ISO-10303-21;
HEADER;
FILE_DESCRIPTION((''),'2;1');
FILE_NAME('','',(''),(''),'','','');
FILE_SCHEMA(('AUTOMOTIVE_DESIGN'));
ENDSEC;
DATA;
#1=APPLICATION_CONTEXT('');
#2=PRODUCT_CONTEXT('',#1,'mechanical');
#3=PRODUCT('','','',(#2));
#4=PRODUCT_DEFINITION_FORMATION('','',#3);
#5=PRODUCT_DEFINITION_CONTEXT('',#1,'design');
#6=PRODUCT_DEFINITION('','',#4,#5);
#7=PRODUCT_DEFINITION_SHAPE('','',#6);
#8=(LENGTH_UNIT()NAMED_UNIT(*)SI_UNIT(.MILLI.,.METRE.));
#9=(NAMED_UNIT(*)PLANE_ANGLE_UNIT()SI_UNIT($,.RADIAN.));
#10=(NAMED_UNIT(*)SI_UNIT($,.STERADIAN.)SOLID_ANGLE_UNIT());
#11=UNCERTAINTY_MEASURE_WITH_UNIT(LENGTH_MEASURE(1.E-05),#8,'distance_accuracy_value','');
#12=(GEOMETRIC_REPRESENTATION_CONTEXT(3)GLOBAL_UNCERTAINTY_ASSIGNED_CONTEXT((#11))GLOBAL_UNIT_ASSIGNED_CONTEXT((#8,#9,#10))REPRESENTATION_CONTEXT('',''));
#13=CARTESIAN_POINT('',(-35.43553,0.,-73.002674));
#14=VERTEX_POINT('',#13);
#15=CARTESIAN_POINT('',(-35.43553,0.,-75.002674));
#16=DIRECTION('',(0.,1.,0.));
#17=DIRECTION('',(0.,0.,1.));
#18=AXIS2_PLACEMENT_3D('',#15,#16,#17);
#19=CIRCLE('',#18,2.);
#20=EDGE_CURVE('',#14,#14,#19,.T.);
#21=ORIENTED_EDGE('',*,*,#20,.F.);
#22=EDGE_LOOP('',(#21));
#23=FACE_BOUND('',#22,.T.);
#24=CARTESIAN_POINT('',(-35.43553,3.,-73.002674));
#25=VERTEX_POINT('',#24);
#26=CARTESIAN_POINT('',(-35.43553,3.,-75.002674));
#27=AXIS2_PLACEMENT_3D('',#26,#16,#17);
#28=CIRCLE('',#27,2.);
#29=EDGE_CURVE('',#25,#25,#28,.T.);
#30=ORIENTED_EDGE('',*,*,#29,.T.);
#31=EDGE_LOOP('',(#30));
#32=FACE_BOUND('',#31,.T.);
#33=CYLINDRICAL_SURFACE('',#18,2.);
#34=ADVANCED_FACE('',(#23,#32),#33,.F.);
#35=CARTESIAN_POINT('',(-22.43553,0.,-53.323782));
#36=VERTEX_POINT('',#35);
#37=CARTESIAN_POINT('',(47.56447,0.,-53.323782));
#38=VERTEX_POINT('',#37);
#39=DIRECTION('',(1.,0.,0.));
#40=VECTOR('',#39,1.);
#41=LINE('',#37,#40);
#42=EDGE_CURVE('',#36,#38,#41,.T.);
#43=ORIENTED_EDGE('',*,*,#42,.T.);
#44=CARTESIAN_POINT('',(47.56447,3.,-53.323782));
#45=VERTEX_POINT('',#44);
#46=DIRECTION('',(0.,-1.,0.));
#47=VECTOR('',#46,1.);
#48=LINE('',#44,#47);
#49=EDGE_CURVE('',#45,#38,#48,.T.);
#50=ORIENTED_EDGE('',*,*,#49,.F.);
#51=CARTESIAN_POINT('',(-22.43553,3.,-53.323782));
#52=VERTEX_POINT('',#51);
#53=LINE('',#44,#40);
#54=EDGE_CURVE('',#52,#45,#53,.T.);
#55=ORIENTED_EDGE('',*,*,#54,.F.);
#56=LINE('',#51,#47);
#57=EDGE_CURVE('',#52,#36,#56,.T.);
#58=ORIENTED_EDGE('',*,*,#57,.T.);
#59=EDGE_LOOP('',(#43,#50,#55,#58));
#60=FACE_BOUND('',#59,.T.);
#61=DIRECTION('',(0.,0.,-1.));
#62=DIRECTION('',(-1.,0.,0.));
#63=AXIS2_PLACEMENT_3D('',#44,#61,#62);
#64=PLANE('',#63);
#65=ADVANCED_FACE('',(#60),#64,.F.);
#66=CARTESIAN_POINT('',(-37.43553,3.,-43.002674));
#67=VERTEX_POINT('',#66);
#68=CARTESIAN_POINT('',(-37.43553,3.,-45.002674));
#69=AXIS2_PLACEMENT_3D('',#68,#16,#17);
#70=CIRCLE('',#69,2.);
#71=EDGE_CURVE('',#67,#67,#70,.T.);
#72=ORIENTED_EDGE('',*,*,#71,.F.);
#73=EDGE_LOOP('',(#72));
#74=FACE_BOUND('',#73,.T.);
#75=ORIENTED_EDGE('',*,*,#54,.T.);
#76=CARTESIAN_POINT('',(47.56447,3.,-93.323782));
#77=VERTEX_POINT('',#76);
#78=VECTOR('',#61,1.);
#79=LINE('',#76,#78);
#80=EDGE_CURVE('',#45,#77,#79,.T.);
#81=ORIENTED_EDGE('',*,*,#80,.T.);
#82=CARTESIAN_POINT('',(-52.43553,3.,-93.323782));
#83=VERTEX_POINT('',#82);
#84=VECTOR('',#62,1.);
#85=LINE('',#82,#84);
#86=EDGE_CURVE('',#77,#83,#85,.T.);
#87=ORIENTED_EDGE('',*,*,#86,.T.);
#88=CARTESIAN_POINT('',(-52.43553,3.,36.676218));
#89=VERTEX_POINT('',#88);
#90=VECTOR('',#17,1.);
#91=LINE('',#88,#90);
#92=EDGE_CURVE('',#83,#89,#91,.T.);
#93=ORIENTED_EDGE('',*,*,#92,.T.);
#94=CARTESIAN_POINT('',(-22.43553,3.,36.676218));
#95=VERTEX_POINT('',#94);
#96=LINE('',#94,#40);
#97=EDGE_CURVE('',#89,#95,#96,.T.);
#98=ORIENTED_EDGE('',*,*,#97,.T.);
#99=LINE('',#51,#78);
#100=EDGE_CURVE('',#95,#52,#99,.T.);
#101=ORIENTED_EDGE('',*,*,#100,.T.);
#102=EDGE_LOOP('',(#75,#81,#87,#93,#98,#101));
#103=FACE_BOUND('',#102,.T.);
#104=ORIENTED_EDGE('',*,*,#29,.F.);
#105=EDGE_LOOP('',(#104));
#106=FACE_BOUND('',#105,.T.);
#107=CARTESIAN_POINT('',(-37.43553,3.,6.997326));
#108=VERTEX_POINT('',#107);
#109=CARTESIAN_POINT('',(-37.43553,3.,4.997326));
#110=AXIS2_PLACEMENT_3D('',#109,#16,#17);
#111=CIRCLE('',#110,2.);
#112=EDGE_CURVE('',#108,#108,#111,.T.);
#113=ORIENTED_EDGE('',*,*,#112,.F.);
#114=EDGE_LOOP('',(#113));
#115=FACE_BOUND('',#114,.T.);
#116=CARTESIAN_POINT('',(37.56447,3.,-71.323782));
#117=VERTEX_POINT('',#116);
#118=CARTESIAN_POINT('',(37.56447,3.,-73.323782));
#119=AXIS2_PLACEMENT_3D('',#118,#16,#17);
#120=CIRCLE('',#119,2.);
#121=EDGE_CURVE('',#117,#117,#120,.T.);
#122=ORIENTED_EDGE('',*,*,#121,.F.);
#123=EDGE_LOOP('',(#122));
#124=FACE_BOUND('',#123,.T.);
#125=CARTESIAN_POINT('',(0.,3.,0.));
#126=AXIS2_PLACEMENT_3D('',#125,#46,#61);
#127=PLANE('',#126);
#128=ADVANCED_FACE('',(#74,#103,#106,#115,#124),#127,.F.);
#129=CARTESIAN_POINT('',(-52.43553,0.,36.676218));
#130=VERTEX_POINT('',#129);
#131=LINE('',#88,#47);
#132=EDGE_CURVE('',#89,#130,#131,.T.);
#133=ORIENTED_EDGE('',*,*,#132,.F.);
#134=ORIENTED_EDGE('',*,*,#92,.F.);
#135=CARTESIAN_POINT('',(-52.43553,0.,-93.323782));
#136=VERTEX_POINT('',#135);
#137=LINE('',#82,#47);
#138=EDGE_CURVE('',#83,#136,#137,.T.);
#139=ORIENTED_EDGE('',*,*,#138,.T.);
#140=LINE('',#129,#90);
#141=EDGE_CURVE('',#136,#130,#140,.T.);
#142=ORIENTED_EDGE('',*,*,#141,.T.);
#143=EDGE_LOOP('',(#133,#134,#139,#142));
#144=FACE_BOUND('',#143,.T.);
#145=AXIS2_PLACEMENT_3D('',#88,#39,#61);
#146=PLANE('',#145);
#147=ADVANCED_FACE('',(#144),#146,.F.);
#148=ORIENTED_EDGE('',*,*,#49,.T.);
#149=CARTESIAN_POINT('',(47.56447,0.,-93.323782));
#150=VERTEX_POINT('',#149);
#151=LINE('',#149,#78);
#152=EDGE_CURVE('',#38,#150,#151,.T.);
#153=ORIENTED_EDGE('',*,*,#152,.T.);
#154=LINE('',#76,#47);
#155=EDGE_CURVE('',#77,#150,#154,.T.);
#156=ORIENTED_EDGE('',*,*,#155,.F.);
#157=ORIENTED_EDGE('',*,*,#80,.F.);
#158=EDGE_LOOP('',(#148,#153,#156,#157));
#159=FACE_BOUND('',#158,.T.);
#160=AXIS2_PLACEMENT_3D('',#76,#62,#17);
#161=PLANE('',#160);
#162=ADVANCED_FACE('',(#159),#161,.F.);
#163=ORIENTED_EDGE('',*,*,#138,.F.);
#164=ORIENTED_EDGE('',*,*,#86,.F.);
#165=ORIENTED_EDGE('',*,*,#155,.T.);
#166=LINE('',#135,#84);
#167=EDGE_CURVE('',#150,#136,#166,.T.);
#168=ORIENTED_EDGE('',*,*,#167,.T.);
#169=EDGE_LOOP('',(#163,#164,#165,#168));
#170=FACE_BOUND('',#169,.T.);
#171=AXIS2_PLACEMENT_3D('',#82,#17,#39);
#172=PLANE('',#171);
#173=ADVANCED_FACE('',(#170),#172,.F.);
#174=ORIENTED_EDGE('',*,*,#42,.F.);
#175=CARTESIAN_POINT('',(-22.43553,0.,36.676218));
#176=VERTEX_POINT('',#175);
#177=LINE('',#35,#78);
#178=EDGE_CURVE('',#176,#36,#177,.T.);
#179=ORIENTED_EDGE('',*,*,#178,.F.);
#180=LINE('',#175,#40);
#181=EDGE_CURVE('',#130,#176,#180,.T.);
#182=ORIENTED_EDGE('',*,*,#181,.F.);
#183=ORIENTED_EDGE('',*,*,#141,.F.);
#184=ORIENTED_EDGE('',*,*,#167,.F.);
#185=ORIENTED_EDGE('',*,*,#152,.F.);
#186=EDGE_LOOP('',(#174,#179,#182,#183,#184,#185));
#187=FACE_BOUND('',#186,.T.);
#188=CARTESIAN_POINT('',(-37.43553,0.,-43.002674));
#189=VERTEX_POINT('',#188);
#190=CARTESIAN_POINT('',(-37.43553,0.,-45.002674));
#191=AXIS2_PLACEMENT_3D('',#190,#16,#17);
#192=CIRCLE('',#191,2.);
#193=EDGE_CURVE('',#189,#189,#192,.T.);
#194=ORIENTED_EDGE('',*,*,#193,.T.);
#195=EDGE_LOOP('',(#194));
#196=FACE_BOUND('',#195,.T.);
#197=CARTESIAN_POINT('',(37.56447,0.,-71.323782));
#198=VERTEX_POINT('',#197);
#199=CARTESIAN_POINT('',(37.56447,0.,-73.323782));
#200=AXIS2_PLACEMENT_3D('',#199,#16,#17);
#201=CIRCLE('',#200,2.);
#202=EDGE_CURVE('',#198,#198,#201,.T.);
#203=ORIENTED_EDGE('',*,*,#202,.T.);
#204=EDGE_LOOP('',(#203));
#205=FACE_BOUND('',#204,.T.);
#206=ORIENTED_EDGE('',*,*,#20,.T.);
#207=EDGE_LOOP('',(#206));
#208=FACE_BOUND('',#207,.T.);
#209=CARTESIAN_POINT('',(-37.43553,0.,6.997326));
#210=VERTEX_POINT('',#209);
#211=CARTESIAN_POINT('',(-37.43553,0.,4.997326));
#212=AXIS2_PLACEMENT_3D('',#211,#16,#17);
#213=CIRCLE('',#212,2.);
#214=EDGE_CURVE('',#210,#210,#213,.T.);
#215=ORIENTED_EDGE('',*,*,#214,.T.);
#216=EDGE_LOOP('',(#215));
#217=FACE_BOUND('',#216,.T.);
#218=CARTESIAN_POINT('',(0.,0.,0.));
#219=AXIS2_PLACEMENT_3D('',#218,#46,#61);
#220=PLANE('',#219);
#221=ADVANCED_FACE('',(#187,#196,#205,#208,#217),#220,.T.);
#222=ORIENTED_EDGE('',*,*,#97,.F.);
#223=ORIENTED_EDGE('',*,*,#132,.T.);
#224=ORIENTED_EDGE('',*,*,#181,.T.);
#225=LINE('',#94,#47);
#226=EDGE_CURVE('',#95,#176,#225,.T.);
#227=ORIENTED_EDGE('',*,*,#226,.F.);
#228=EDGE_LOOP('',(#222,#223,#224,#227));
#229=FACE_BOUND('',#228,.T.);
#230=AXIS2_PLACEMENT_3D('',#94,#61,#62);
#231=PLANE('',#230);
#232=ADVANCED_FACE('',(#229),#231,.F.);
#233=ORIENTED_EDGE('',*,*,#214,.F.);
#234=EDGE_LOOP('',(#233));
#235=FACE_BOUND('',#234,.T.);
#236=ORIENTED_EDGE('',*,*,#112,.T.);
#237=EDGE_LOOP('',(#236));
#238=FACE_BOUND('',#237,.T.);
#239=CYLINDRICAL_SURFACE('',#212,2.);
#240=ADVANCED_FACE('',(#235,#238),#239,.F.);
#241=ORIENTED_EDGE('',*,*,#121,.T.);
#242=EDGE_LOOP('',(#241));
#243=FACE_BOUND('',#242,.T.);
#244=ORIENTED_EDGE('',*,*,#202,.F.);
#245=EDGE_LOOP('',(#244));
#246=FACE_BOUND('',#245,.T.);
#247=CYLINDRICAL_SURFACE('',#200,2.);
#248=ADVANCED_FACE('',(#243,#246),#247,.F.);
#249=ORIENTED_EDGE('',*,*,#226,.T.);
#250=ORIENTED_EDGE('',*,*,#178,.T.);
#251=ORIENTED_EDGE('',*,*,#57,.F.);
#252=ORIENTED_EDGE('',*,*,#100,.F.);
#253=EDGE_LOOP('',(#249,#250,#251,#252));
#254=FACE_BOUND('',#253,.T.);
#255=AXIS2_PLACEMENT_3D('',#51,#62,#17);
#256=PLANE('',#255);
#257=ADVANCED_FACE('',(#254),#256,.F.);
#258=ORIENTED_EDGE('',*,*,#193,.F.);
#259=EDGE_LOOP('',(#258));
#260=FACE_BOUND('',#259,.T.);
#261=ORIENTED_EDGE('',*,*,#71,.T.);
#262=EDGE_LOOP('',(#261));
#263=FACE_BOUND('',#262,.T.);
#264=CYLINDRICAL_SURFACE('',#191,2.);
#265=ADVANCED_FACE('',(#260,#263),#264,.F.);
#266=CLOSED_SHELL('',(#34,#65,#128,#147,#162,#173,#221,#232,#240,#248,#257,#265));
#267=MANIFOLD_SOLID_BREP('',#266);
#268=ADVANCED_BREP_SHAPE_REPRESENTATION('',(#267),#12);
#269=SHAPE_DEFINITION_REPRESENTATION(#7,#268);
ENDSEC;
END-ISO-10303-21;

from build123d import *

# Parameters (mm, degrees)
SALIENTE_EXTRUIR1_DEPTH = 3
CROQUIS2_R              = 2
SALIENTE_EXTRUIR2_DEPTH = 3
CROQUIS3_R              = 2
CORTAR_EXTRUIR1_DEPTH   = 108.087875812


with BuildPart() as part:
    # Croquis1 → Saliente-Extruir1 (new body)
    with BuildSketch(Plane(origin=(0, 0, 0), x_dir=(1, 0, 0), z_dir=(0, 1, 0))):
        Polygon((-22.435530086, -36.676217765), (-52.435530086, -36.676217765), (-52.435530086, 93.323782235), (47.564469914, 93.323782235), (47.564469914, 53.323782235), (-22.435530086, 53.323782235), align=None)
    extrude(amount=SALIENTE_EXTRUIR1_DEPTH)

    # Croquis2 → Saliente-Extruir2 (add, through all)
    with BuildSketch(Plane(origin=(0, 3, 0), x_dir=(1, 0, 0), z_dir=(0, 1, 0))):
        with Locations((37.564469914, 73.323782235)):
            Circle(CROQUIS2_R)
        with Locations((-35.435530086, 75.002673531)):
            Circle(CROQUIS2_R)
        with Locations((-37.435530086, 45.002673531)):
            Circle(CROQUIS2_R)
        with Locations((-37.435530086, -4.997326469)):
            Circle(CROQUIS2_R)
    extrude(amount=-SALIENTE_EXTRUIR2_DEPTH)

    # Croquis3 → Cortar-Extruir1 (cut, through all)
    with BuildSketch(Plane(origin=(0, 3, 0), x_dir=(1, 0, 0), z_dir=(0, 1, 0))):
        with Locations(Location((37.564469914, 73.323782235, 0), (0, 0, 270))):
            Circle(CROQUIS3_R)
        with Locations(Location((-37.435530086, 45.002673531, 0), (0, 0, 270))):
            Circle(CROQUIS3_R)
        with Locations(Location((-37.435530086, -4.997326469, 0), (0, 0, 270))):
            Circle(CROQUIS3_R)
        with Locations(Location((-35.435530086, 75.002673531, 0), (0, 0, 270))):
            Circle(CROQUIS3_R)
    extrude(amount=-CORTAR_EXTRUIR1_DEPTH, mode=Mode.SUBTRACT)


solid = part.part
